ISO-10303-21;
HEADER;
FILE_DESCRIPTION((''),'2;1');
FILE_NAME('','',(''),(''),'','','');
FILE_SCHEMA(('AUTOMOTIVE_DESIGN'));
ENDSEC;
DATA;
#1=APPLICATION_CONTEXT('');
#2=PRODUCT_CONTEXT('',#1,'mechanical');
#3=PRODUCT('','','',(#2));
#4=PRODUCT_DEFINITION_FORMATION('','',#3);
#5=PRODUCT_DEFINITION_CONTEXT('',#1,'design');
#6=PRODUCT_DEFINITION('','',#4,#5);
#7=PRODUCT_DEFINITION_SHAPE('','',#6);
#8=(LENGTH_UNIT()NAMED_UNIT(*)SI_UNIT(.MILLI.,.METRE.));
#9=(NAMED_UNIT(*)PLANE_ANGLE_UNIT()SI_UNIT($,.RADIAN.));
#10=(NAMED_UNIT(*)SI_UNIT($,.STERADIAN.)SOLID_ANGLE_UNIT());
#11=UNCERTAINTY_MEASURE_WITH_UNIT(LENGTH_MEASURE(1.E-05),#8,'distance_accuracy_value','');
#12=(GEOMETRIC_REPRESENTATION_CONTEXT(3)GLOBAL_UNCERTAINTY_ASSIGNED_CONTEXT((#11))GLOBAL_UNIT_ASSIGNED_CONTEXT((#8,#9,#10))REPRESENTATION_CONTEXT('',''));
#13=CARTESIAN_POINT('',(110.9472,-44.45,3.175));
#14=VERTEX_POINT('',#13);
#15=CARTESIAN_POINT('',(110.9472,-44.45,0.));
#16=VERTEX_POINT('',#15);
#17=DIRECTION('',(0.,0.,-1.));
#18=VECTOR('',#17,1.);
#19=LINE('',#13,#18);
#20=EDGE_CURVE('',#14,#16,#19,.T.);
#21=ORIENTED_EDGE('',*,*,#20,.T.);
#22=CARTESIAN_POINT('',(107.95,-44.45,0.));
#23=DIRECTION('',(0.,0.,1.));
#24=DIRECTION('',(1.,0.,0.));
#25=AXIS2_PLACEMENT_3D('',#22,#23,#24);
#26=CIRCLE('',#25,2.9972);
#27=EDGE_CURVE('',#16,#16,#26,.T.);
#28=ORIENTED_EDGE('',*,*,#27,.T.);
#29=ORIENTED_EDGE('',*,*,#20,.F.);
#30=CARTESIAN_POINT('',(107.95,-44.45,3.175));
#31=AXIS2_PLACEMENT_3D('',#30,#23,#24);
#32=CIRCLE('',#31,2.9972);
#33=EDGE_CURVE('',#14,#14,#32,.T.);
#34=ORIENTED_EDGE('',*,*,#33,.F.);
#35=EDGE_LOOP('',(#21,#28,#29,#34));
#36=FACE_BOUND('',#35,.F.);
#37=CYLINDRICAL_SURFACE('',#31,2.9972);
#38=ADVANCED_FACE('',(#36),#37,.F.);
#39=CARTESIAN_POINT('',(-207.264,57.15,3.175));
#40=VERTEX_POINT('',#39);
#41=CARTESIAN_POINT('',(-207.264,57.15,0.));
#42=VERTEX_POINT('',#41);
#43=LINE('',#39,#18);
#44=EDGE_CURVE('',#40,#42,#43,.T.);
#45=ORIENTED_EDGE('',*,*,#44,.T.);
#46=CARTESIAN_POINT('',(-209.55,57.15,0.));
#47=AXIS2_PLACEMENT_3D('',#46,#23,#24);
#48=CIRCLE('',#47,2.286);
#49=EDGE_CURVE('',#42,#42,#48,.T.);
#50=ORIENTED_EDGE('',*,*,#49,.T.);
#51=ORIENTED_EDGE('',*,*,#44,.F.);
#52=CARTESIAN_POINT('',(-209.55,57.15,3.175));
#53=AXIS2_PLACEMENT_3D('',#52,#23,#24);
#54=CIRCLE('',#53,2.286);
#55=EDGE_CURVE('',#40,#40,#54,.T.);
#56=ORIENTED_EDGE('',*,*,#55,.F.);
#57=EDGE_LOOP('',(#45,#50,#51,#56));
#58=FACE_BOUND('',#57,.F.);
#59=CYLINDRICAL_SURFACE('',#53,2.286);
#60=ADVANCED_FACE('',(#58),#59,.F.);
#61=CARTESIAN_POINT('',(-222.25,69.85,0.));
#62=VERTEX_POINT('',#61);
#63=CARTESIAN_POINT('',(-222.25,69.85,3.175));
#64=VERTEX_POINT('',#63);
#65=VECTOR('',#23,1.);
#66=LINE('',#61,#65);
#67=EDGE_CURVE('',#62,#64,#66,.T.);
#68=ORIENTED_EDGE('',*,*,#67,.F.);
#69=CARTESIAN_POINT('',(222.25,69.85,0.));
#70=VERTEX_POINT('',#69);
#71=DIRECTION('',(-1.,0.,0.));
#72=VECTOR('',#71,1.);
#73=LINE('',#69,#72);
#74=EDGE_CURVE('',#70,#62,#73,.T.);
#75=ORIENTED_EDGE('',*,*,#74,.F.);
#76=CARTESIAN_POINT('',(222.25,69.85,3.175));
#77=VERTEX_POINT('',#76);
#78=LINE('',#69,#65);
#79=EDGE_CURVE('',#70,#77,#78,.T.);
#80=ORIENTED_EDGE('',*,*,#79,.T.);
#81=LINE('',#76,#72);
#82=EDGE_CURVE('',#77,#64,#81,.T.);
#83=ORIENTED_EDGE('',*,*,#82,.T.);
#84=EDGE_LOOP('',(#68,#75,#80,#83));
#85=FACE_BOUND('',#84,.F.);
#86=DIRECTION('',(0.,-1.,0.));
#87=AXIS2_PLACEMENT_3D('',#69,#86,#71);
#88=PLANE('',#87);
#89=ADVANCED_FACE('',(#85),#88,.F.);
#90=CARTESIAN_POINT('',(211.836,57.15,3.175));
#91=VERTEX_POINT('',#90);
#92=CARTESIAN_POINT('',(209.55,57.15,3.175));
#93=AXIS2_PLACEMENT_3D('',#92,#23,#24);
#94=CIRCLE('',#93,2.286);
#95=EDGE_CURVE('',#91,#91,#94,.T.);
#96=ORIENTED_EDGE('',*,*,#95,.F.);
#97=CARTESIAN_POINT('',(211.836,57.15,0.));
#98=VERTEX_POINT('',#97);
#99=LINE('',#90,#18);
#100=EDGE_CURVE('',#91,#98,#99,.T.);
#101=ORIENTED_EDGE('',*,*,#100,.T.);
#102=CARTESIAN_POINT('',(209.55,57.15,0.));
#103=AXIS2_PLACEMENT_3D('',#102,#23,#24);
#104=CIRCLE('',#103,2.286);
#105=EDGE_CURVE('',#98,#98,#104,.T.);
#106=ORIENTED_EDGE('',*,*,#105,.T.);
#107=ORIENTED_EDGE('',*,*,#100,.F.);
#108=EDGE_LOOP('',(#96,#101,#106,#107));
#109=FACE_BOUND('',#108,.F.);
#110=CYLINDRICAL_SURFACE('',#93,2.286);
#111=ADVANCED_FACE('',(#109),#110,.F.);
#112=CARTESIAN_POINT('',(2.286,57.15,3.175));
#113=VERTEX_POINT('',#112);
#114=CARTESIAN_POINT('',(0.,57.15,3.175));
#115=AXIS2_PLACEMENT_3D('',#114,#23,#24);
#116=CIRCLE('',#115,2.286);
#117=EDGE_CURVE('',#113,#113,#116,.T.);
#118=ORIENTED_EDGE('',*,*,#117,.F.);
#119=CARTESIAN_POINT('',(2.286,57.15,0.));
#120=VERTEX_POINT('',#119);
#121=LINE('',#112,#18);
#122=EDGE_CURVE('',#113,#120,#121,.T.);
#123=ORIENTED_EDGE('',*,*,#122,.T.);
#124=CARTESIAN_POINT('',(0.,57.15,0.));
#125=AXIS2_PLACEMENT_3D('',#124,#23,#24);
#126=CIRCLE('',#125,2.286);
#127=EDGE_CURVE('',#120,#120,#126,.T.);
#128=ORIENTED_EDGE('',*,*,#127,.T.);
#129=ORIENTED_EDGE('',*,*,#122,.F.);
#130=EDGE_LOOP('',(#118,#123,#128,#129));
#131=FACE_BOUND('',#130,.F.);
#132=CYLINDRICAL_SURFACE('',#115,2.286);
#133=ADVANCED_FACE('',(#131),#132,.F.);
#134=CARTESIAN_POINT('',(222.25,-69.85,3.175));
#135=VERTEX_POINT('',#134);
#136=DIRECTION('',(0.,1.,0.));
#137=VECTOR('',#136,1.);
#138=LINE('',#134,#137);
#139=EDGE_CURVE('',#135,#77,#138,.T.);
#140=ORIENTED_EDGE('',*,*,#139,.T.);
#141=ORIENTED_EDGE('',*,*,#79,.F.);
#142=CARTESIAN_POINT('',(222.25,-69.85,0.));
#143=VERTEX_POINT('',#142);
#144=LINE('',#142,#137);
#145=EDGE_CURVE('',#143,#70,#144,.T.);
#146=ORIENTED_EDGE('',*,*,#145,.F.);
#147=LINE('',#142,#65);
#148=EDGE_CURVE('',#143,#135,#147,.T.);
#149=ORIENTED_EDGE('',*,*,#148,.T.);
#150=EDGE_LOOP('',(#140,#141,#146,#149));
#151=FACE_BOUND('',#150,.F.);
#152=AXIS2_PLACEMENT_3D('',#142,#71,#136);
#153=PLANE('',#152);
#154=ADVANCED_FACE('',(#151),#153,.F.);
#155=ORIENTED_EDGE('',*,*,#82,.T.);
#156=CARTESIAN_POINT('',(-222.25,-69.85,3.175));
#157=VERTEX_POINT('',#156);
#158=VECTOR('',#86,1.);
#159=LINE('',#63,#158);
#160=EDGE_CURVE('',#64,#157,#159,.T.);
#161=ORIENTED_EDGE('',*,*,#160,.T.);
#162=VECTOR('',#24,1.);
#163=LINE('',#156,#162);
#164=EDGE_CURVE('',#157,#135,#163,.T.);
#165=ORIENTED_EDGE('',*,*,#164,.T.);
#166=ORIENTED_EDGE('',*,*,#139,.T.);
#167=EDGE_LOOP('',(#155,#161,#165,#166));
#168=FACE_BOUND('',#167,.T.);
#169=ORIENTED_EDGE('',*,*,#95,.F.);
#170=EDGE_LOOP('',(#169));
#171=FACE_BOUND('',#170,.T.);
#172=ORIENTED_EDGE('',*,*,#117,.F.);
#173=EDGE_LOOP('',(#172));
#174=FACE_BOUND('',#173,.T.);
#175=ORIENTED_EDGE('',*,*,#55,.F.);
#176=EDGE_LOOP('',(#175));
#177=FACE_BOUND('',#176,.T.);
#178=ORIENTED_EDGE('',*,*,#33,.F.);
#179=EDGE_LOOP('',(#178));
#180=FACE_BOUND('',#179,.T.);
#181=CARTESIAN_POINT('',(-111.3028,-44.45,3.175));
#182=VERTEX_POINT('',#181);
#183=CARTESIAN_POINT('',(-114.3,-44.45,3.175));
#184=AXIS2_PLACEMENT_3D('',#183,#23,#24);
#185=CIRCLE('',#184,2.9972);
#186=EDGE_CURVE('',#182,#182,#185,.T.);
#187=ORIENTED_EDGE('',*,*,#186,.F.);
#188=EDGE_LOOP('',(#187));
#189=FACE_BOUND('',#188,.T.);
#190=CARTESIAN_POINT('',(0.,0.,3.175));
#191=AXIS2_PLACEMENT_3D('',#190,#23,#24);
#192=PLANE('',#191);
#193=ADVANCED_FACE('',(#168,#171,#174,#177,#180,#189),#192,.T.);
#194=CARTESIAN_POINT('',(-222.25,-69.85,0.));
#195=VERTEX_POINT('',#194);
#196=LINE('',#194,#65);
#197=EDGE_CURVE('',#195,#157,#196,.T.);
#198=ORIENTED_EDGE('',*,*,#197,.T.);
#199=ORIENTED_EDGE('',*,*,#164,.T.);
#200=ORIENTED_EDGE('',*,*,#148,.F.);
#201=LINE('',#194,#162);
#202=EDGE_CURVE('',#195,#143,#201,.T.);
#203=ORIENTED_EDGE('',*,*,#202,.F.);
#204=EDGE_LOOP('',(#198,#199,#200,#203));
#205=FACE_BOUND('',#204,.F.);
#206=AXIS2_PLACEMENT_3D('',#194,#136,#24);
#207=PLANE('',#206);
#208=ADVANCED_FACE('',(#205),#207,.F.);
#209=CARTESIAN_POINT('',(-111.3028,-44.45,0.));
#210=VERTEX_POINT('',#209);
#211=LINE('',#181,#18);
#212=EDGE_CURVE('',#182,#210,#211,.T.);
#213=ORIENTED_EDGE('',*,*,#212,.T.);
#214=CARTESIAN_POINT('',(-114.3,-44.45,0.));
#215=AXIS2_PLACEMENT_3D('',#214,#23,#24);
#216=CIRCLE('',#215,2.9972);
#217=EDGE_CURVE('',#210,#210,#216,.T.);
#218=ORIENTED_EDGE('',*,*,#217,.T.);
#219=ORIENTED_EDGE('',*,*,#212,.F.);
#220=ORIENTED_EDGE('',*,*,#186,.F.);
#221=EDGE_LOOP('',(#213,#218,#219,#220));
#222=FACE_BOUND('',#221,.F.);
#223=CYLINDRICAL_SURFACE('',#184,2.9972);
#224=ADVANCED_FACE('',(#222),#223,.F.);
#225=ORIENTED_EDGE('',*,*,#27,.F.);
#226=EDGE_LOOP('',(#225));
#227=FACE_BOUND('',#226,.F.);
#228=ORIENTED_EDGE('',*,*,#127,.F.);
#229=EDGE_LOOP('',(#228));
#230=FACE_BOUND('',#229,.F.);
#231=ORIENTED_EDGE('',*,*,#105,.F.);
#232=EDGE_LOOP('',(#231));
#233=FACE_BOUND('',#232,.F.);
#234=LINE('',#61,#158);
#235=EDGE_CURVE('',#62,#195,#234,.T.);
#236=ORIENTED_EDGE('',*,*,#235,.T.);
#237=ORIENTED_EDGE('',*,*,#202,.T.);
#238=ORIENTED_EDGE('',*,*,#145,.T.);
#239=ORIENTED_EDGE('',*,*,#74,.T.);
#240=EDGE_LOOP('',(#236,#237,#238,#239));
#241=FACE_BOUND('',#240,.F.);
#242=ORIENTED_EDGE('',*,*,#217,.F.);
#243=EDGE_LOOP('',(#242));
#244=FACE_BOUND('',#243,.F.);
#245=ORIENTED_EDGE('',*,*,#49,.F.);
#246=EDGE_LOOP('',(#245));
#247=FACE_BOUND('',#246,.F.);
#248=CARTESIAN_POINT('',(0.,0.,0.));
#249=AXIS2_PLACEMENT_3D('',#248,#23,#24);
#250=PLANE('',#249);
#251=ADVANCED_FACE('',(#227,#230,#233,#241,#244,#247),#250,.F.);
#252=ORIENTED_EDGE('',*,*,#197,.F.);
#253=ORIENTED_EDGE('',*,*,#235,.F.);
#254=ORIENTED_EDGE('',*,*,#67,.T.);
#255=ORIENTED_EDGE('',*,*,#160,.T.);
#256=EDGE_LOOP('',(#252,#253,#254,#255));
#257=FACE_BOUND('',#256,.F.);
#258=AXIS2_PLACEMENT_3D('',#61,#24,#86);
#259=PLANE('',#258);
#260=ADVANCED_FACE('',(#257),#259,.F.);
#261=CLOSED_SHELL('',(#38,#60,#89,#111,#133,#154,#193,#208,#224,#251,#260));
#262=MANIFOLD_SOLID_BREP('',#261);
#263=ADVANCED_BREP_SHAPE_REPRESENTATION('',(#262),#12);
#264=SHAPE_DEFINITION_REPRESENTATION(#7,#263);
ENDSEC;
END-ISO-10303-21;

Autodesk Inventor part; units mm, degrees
ref_plane "YZ Plane" through (0, 0, 0) normal (1, 0, 0) x (0, 1, 0)
ref_plane "XZ Plane" through (0, 0, 0) normal (0, 1, 0) x (-1, 0, 0)
ref_plane "XY Plane" through (0, 0, 0) normal (0, 0, 1) x (1, 0, 0)
sketch "Sketch1" plane through (0, 0, 0) normal (0, 0, 1) x (1, 0, 0)
  line L0 (-222.25, -69.85) -> (222.25, -69.85)
  line L1 (222.25, -69.85) -> (222.25, 69.85)
  line L2 (222.25, 69.85) -> (-222.25, 69.85)
  line L3 (-222.25, 69.85) -> (-222.25, -69.85)
  line L4 (-222.25, -69.85) -> (222.25, 69.85) construction
  line L5 (222.25, -69.85) -> (-222.25, 69.85) construction
  point P0 (0, 0)
  dimension "d0" = 444.5
  dimension "d1" = 139.7
extrude "Extrusion1" add sketch "Sketch1" along normal blind 3.175
sketch "Sketch2" plane through (0, 0, 3.175) normal (0, 0, 1) x (1, 0, 0)
  circle A0 centre (209.55, 57.15) radius 2.286
  line L0 (222.25, -69.85) -> (222.25, 69.85) projected
  line L1 (222.25, 69.85) -> (-222.25, 69.85) projected
  circle A1 centre (-209.55, 57.15) radius 2.286
  line L2 (-222.25, 69.85) -> (-222.25, -69.85) projected
  circle A2 centre (0, 57.15) radius 2.286
  point P0 (0, 0)
  dimension "d10" = 4.572
  dimension "d12" = 12.7
  dimension "d11" = 12.7
  dimension "d7" = 4.572
  dimension "d9" = 12.7
  dimension "d8" = 12.7
  dimension "d5" = 4.572
  dimension "d6" = 12.7
extrude "Extrusion2" cut sketch "Sketch2" against normal blind 3.175
sketch "Sketch3" plane through (0, 0, 3.175) normal (0, 0, 1) x (1, 0, 0)
  circle A0 centre (-114.3, -44.45) radius 2.9972
  circle A1 centre (107.95, -44.45) radius 2.9972
  line L0 (-222.25, 69.85) -> (-222.25, -69.85) projected
  line L1 (222.25, -69.85) -> (222.25, 69.85) projected
  line L2 (-222.25, -69.85) -> (222.25, -69.85) projected
  point P0 (0, 0)
  dimension "d16" = 5.9944
  dimension "d17" = 5.9944
  dimension "d18" = 107.95
  dimension "d19" = 114.3
  dimension "d20" = 25.4
  dimension "d23" = 25.4
extrude "Extrusion3" cut sketch "Sketch3" against normal blind 25.4
properties part number "Drive Side Inner Plate"
